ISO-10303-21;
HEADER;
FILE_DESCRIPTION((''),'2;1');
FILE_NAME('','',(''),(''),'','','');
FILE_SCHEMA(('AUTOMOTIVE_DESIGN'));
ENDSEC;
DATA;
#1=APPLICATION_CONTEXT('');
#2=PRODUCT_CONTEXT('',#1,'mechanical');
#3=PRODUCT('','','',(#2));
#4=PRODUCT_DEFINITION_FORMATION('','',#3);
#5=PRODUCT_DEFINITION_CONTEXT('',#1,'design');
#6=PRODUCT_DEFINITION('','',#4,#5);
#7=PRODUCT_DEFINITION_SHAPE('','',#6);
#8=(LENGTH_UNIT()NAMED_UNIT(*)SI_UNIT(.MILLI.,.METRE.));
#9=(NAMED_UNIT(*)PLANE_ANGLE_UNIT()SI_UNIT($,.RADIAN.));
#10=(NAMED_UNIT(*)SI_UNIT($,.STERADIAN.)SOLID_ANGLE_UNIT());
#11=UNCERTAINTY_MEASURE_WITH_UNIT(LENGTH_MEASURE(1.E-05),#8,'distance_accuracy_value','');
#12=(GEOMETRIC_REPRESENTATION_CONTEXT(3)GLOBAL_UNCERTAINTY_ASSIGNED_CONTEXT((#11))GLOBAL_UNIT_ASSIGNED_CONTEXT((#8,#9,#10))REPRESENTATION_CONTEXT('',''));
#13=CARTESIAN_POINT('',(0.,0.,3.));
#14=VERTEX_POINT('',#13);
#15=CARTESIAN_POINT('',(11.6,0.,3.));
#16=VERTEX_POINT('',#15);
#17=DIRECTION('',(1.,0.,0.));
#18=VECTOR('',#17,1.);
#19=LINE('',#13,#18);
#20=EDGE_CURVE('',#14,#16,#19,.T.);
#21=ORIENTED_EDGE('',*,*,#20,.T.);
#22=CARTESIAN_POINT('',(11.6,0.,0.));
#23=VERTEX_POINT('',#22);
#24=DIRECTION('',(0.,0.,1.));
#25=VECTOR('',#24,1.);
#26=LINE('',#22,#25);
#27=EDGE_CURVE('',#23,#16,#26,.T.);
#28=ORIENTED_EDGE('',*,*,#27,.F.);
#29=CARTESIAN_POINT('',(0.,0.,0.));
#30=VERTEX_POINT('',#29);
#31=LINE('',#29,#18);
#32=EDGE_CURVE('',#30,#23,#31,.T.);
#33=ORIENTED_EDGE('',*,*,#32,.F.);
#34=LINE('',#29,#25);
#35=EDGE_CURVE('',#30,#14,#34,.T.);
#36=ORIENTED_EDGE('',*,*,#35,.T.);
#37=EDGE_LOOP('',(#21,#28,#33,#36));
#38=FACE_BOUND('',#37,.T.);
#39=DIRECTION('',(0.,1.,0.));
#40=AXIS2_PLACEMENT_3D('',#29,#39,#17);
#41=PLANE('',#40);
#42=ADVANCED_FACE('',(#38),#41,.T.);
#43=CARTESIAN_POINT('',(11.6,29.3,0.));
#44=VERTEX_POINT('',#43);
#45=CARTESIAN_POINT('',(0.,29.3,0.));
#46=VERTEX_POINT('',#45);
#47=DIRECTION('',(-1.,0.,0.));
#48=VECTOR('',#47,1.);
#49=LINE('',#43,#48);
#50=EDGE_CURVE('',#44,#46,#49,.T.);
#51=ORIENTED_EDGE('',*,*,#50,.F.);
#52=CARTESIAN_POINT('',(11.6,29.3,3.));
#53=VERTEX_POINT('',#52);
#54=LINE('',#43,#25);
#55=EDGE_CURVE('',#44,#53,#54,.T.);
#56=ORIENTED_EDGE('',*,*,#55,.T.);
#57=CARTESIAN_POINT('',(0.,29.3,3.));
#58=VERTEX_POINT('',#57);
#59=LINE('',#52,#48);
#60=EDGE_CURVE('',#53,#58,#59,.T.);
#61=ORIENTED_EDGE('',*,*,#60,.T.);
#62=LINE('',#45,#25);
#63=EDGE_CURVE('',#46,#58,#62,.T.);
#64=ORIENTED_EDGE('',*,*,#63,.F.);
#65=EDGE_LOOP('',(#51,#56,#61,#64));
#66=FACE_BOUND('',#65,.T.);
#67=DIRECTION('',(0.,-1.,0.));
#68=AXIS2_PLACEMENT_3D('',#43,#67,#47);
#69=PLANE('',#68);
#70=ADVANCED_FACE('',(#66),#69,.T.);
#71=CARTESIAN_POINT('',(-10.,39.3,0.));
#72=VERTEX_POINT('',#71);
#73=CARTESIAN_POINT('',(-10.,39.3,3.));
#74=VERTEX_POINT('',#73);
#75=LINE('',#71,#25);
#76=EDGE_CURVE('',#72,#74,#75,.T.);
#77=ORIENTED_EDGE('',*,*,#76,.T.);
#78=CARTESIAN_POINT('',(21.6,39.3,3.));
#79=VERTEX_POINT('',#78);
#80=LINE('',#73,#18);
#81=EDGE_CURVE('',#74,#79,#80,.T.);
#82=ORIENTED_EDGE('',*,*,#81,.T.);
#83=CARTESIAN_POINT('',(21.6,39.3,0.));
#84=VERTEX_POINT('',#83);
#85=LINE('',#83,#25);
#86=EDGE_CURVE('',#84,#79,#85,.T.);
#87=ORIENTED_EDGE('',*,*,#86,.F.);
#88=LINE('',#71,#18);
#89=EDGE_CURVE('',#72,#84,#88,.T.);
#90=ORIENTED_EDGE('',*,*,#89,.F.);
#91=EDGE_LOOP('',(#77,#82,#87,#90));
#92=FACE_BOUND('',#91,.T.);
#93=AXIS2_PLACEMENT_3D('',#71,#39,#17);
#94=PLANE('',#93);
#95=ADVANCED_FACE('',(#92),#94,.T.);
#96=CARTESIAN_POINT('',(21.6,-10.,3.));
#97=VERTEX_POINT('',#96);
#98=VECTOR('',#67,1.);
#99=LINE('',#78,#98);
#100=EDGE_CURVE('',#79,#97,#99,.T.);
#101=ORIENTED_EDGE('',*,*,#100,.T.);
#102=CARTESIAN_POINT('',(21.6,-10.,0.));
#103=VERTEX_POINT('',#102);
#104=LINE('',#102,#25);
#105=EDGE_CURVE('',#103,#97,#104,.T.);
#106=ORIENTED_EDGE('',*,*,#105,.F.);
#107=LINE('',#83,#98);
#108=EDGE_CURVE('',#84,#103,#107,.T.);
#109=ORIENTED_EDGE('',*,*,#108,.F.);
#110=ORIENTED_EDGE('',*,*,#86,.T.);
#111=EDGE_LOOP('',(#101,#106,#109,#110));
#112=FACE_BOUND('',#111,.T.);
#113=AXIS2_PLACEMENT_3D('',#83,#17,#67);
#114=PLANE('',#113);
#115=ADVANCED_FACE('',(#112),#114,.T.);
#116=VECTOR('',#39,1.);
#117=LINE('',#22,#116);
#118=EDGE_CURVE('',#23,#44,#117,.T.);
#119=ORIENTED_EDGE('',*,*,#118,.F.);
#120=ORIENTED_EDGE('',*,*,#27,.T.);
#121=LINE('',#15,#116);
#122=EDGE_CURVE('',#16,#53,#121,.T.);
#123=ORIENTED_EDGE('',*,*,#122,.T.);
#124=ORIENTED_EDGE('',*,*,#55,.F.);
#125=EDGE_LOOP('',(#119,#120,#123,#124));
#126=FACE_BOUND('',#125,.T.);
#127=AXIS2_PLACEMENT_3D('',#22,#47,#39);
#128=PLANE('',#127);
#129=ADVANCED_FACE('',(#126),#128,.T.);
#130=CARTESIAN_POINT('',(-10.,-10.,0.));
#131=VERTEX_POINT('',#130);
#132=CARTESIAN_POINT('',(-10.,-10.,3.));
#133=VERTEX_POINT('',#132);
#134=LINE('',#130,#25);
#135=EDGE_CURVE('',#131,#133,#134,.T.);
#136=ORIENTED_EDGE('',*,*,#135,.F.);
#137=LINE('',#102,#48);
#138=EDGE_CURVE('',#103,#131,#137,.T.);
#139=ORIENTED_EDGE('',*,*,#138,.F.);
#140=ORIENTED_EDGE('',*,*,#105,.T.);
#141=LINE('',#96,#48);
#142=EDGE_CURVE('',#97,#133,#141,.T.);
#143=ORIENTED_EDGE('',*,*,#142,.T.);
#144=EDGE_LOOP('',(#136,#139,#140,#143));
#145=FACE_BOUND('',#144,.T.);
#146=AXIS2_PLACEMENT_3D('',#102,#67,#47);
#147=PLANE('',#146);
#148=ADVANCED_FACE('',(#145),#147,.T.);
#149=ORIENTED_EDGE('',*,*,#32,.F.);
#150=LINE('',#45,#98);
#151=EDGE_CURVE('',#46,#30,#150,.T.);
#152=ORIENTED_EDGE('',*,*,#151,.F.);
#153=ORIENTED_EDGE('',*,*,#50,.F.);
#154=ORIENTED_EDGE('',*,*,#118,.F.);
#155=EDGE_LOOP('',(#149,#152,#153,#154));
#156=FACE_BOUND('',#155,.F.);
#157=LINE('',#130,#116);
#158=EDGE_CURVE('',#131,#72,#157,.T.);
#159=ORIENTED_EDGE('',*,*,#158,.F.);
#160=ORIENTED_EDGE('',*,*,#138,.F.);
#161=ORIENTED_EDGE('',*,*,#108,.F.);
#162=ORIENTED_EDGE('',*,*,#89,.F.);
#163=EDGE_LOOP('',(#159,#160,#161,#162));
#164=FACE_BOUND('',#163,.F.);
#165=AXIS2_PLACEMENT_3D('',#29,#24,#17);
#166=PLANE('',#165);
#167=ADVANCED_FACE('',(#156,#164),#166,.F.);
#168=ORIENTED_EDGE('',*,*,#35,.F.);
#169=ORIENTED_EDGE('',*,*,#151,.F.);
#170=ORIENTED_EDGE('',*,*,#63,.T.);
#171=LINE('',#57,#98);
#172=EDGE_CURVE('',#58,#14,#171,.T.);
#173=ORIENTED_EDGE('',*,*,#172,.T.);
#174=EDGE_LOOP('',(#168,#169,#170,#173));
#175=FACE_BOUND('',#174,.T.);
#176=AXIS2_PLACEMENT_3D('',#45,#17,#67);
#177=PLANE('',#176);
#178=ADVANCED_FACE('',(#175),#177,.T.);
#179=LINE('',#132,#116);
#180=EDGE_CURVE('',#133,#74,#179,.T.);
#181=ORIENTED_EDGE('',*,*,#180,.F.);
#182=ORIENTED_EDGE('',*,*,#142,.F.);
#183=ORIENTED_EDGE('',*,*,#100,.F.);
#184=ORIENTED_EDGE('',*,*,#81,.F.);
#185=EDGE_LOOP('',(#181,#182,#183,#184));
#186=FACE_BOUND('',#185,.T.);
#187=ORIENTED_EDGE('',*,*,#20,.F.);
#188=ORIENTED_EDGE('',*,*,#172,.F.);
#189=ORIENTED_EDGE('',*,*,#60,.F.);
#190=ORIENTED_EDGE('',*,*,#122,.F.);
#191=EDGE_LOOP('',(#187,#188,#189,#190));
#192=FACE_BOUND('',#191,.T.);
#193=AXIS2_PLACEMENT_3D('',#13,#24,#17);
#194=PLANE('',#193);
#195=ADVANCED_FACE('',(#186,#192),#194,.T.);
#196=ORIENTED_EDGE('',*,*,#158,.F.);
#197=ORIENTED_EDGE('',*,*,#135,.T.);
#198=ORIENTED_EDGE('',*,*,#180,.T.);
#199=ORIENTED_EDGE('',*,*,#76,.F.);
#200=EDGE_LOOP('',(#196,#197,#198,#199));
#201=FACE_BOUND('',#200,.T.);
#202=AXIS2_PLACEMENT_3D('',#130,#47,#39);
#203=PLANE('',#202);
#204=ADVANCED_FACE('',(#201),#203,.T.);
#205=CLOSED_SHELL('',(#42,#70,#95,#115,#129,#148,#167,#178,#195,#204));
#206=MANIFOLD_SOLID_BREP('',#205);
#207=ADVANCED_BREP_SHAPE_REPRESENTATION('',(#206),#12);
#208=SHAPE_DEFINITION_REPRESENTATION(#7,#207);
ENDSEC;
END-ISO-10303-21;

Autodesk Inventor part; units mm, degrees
ref_plane "YZ Plane" through (0, 0, 0) normal (1, 0, 0) x (0, 1, 0)
ref_plane "XZ Plane" through (0, 0, 0) normal (0, 1, 0) x (-1, 0, 0)
ref_plane "XY Plane" through (0, 0, 0) normal (0, 0, 1) x (1, 0, 0)
sketch "Sketch1" plane through (0, 0, 0) normal (0, 0, 1) x (1, 0, 0)
  line L0 (0, 0) -> (11.6, 0)
  line L1 (11.6, 0) -> (11.6, 29.3)
  line L2 (11.6, 29.3) -> (0, 29.3)
  line L3 (0, 29.3) -> (0, 0)
  line L4 (-10, 39.3) -> (21.6, 39.3)
  line L5 (21.6, 39.3) -> (21.6, -10)
  line L6 (21.6, -10) -> (-10, -10)
  line L7 (-10, -10) -> (-10, 39.3)
  dimension "d1" = 29.3
  dimension "d5" = 11.6
  dimension "d8" = 10
extrude "Extrusion1" add sketch "Sketch1" along normal blind 3
properties part number "braket servomini"
